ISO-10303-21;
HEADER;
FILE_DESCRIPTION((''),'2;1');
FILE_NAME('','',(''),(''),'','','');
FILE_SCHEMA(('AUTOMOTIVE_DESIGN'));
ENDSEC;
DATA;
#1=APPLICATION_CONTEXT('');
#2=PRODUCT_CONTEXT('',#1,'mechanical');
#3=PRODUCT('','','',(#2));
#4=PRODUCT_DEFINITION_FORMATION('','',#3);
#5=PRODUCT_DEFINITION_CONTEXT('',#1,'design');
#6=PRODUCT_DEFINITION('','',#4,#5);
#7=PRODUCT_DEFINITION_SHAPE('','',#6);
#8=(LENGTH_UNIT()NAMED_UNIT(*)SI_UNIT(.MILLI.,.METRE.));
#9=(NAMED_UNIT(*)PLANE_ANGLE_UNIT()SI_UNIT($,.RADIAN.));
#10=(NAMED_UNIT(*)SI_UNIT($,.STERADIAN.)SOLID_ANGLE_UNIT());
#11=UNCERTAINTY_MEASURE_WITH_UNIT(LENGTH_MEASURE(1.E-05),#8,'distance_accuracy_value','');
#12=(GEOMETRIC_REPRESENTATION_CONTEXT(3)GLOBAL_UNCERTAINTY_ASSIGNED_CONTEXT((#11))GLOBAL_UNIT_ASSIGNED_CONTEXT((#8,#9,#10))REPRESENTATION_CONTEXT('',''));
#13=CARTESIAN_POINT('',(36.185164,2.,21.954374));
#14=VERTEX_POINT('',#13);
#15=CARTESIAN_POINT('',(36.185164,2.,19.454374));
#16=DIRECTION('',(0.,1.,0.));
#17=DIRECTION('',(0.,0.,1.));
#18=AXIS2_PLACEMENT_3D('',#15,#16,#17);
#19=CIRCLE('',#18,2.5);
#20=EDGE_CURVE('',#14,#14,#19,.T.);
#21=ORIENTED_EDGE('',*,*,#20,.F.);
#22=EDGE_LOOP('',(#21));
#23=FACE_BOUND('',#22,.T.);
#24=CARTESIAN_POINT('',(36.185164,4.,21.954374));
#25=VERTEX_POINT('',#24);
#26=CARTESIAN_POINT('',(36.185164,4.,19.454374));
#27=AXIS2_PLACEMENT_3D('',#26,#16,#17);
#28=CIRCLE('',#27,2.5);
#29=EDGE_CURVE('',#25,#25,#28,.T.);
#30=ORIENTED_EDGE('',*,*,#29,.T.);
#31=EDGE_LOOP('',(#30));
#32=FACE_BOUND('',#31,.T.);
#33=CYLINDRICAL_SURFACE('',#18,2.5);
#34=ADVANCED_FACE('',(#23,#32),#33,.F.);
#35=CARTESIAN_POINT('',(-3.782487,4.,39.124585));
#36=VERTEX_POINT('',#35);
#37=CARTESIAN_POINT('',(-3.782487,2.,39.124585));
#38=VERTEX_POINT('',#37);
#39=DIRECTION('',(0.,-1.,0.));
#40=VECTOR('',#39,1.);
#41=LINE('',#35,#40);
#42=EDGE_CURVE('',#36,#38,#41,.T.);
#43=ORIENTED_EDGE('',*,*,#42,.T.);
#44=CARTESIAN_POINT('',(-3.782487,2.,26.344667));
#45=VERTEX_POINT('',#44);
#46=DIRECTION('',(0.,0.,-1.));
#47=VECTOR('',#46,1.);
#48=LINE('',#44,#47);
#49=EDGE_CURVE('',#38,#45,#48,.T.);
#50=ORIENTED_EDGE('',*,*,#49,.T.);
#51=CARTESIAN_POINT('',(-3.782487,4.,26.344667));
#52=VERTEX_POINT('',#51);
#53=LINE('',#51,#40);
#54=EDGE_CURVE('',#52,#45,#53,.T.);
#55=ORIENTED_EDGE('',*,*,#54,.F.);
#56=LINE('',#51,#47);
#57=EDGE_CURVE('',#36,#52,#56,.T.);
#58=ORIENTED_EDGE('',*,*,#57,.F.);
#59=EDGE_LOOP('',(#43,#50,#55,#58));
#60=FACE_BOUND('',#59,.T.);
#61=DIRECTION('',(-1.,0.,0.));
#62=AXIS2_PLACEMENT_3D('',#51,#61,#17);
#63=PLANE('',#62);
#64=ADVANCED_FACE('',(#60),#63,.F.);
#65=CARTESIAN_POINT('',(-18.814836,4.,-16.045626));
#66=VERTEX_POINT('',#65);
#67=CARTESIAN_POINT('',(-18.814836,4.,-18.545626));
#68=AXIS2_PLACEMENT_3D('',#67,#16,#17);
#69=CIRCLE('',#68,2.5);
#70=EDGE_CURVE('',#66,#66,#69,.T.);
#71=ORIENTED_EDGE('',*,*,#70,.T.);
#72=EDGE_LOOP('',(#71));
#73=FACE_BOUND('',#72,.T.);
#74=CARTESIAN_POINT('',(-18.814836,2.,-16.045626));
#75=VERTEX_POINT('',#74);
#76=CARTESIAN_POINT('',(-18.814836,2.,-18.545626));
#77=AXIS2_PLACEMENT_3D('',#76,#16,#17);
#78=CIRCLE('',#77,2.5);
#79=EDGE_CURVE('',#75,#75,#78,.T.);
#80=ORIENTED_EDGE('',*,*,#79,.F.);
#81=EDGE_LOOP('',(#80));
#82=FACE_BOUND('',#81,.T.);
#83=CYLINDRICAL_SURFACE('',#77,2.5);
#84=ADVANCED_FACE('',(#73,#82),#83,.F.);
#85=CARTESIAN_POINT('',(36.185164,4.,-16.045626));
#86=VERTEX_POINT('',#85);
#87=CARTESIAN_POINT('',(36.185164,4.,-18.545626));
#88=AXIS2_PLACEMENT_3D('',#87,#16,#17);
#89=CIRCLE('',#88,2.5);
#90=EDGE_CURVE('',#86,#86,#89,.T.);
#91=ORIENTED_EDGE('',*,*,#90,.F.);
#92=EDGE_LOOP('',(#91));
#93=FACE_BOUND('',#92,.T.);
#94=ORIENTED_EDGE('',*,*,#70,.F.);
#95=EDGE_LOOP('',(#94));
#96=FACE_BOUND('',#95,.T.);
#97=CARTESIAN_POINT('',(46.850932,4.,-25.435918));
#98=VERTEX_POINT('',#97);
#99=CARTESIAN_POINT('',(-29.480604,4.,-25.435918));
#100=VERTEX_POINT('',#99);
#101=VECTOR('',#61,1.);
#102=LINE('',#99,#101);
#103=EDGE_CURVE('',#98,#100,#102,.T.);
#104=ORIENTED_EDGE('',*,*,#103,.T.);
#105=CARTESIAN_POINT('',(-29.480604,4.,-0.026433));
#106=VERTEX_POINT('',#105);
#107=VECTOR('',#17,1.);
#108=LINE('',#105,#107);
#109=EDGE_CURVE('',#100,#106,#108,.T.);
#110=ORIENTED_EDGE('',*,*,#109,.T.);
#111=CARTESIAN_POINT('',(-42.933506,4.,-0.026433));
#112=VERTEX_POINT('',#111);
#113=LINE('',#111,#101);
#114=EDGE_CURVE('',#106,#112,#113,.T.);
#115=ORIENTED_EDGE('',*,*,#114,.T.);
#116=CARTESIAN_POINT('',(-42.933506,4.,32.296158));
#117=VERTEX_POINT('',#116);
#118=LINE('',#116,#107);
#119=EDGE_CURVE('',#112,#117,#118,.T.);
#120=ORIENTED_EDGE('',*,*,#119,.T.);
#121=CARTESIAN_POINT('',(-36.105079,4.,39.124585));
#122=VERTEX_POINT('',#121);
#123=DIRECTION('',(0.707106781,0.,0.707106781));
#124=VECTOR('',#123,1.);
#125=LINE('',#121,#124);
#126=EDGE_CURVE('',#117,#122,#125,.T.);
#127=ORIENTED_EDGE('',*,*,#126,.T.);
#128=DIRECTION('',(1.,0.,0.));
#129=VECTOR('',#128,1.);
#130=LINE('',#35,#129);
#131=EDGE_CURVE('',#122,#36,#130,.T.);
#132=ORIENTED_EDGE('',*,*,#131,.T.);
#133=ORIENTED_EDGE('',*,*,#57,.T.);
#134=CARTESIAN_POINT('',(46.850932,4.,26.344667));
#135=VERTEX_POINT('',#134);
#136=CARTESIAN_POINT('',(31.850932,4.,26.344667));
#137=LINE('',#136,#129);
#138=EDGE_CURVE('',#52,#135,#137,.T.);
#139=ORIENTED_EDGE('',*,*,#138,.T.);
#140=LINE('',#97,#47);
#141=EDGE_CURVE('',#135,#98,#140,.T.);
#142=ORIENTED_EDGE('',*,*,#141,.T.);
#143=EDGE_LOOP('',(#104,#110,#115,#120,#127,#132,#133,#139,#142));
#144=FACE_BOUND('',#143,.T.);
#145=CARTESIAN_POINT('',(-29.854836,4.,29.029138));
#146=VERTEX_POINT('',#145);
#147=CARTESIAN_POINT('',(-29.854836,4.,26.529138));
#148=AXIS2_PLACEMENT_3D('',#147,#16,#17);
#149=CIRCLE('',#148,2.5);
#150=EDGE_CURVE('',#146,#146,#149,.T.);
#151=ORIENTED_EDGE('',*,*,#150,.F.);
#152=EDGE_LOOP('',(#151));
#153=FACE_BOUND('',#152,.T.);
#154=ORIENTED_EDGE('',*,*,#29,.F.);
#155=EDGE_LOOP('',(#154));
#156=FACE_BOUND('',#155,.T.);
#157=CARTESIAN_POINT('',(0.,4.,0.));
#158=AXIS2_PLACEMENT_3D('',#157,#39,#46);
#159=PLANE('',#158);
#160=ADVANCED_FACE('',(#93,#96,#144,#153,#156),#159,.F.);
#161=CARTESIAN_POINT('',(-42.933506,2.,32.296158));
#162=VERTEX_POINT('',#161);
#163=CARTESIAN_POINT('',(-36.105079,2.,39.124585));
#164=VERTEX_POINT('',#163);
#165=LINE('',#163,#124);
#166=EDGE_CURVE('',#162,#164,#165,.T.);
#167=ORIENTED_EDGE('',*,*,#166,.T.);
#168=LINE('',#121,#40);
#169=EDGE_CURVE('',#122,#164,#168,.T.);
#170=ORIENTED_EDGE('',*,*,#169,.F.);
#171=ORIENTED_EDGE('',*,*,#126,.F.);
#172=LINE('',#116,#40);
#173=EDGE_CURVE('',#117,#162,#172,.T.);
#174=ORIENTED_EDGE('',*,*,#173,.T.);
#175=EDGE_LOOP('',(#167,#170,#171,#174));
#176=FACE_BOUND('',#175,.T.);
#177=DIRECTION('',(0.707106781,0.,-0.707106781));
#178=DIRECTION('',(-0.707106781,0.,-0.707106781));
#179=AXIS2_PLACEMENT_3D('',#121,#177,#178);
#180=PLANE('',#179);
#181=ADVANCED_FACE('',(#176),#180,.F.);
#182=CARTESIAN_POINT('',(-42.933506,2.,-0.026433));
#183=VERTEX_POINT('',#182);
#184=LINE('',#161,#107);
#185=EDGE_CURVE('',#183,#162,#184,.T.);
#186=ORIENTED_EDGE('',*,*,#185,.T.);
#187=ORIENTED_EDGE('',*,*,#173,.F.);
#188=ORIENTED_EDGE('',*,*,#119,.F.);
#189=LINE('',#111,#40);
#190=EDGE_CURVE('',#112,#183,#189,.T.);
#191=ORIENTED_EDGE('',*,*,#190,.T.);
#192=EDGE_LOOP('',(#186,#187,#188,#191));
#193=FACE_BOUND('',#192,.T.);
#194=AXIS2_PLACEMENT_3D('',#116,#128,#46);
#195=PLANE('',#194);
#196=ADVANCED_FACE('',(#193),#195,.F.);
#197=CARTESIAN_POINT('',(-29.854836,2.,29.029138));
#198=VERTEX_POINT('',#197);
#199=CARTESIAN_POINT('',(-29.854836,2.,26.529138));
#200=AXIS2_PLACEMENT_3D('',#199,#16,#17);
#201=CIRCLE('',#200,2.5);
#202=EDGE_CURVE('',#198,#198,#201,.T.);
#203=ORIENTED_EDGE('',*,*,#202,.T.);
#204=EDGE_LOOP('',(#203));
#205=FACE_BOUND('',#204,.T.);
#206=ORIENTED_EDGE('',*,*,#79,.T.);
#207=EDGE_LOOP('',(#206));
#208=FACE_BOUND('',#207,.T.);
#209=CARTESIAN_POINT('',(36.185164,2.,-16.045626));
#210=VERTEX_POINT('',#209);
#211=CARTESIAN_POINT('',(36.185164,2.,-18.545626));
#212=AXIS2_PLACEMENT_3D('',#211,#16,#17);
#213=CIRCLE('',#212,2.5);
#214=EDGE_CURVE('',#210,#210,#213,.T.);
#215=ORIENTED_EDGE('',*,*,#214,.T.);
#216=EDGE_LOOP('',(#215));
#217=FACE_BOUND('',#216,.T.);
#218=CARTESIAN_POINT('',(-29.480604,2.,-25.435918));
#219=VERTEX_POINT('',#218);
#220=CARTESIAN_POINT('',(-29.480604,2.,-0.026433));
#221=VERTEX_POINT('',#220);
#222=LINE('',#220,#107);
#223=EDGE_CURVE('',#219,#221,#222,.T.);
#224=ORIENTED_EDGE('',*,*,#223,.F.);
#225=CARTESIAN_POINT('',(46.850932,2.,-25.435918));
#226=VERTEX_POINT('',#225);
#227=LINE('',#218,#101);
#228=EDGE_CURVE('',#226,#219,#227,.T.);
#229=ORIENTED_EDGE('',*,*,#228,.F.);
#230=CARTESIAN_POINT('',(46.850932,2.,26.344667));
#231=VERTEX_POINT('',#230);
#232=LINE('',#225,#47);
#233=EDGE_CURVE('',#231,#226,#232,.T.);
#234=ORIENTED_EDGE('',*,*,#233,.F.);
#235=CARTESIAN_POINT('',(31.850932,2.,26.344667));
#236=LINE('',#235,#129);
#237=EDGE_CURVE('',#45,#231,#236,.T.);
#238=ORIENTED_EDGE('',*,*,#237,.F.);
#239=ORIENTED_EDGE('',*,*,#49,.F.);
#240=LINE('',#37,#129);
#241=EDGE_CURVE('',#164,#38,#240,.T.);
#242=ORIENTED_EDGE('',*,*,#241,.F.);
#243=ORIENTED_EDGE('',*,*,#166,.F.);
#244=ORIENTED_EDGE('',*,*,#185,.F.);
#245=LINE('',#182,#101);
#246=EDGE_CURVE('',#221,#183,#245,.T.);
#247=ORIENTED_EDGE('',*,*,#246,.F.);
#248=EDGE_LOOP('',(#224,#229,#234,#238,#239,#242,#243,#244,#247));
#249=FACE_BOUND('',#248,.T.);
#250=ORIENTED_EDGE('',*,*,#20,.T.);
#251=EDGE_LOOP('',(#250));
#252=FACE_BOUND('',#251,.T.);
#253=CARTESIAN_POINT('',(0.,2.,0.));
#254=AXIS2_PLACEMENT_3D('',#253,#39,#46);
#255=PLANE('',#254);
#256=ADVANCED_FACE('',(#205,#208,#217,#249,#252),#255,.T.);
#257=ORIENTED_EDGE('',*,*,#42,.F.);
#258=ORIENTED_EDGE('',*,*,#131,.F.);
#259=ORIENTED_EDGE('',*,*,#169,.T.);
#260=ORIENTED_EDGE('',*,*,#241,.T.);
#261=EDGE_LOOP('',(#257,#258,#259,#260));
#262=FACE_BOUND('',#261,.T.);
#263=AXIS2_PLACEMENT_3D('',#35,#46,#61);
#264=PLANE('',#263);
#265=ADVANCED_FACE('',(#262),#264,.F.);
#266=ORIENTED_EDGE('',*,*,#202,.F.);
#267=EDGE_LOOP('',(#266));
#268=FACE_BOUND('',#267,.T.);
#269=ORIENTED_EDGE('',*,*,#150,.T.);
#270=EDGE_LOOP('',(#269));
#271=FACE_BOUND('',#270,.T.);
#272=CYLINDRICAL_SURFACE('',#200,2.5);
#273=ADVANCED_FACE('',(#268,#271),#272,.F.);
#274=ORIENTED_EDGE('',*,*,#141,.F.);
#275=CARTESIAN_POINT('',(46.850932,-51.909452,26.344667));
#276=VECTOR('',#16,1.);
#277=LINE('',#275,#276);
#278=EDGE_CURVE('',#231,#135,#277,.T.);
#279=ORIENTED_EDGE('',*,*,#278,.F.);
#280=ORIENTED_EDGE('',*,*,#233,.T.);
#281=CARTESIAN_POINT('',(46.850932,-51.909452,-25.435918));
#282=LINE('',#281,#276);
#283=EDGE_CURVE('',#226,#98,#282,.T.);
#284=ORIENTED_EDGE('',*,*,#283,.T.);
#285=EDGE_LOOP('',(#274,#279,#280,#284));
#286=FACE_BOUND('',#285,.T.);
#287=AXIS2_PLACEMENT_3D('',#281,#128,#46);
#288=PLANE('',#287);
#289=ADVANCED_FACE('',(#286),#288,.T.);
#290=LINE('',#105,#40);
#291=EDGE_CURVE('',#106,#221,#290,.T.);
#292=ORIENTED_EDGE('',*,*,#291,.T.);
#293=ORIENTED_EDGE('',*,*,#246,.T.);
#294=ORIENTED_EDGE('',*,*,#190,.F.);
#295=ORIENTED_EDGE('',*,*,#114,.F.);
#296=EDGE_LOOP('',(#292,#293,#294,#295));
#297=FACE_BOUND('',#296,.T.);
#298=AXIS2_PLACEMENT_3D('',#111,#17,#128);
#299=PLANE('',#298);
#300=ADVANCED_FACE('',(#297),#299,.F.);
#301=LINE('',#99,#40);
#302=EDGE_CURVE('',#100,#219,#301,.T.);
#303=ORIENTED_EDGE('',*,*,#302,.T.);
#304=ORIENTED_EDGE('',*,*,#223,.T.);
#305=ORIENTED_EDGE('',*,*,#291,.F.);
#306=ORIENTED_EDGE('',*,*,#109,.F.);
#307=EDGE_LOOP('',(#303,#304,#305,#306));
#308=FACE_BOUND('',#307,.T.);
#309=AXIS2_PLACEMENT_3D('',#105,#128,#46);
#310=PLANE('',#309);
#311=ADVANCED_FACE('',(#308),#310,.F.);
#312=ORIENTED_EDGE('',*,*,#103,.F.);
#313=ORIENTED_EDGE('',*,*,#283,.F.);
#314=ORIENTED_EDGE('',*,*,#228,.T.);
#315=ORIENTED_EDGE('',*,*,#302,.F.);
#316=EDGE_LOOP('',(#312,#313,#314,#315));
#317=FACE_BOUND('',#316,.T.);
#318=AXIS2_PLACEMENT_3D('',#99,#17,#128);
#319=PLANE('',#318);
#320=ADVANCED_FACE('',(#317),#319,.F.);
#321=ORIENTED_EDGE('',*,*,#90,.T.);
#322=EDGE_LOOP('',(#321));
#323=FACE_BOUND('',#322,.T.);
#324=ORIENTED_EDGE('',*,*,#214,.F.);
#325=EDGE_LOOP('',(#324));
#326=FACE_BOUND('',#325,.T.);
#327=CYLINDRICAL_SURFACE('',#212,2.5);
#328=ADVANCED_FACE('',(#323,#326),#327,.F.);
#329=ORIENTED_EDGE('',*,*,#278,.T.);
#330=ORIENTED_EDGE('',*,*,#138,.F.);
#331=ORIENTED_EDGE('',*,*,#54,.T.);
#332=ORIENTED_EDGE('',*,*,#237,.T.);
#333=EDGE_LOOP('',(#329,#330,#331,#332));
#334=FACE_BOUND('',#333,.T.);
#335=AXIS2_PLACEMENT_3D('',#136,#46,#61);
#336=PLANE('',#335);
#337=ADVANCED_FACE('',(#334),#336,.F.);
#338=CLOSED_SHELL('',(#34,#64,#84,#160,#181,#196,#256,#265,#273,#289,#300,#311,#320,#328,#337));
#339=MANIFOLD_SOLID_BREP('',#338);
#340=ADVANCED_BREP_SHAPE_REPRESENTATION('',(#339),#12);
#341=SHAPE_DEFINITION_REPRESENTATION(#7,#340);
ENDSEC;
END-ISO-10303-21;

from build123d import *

# Parameters (mm, degrees)
BOSS_EXTRUDE1_DEPTH = 2
CHAMFER1_SIZE       = 8
BOSS_EXTRUDE2_DEPTH = 2
SKETCH4_W           = 99.768826376
SKETCH4_H           = 91.588754032
CUT_EXTRUDE1_DEPTH  = 2
SKETCH5_R           = 2.5
CUT_EXTRUDE2_DEPTH  = 2
SKETCH6_W           = 15
SKETCH6_H           = 51.780584955
BOSS_EXTRUDE3_DEPTH = 2
SKETCH7_R           = 2.5
CUT_EXTRUDE3_DEPTH  = 62.071622078
SKETCH8_R           = 3.630325665
SKETCH8_R_2         = 3.812865601
BOSS_EXTRUDE4_DEPTH = 2


with BuildPart() as part:
    # Sketch1 → Boss-Extrude1 (new body)
    with BuildSketch(Plane(origin=(0, 0, 0), x_dir=(1, 0, 0), z_dir=(0, 1, 0))):
        Polygon((-1.782487159, -28.34466675), (33.85093234, -28.34466675), (33.85093234, 27.435918205), (-31.480603593, 27.435918205), (-31.480603593, 2.026433414), (-44.933505709, 2.026433414), (-44.933505709, -41.124585136), (-1.782487159, -41.124585136), align=None)
    extrude(amount=BOSS_EXTRUDE1_DEPTH)

    # Chamfer1
    chamfer1_edges = [part.edges().sort_by_distance(p)[0] for p in [
        (-44.933505709, 1, 41.124585136),
    ]]
    chamfer(chamfer1_edges, length=CHAMFER1_SIZE)

    # Sketch3 → Boss-Extrude2 (add)
    with BuildSketch(Plane(origin=(0, 2, 0), x_dir=(1, 0, 0), z_dir=(0, 1, 0))):
        Polygon((-29.480603593, 25.435918205), (31.85093234, 25.435918205), (31.85093234, -26.34466675), (-3.782487159, -26.34466675), (-3.782487159, -39.124585136), (-36.105078585, -39.124585136), (-42.933505709, -32.296158012), (-42.933505709, 0.026433414), (-29.480603593, 0.026433414), align=None)
    extrude(amount=BOSS_EXTRUDE2_DEPTH)

    # Sketch4 → Cut-Extrude1 (cut)
    with BuildSketch(Plane.XZ):
        Rectangle(SKETCH4_W, SKETCH4_H)
    extrude(amount=-CUT_EXTRUDE1_DEPTH, mode=Mode.SUBTRACT)

    # Sketch5 → Cut-Extrude2 (cut)
    with BuildSketch(Plane(origin=(0, 4, 0), x_dir=(1, 0, 0), z_dir=(0, 1, 0))):
        with Locations(Location((-18.814835626, 18.545625727, 0), (0, 0, 270))):
            Circle(SKETCH5_R)
        with Locations(Location((21.185164374, 18.545625727, 0), (0, 0, 270))):
            Circle(SKETCH5_R)
        with Locations(Location((21.185164374, -19.454374273, 0), (0, 0, 270))):
            Circle(SKETCH5_R)
        with Locations(Location((-29.854835626, -26.529137879, 0), (0, 0, 270))):
            Circle(SKETCH5_R)
    extrude(amount=-CUT_EXTRUDE2_DEPTH, mode=Mode.SUBTRACT)

    # Sketch6 → Boss-Extrude3 (add)
    with BuildSketch(Plane(origin=(0, 4, 0), x_dir=(1, 0, 0), z_dir=(0, 1, 0))):
        with Locations((39.35093234, -0.454374273)):
            Rectangle(SKETCH6_W, SKETCH6_H)
    extrude(amount=-BOSS_EXTRUDE3_DEPTH)

    # Sketch7 → Cut-Extrude3 (cut, through all)
    with BuildSketch(Plane(origin=(0, 4, 0), x_dir=(1, 0, 0), z_dir=(0, 1, 0))):
        with Locations(Location((36.185164374, 18.545625727, 0), (0, 0, 270))):
            Circle(SKETCH7_R)
        with Locations(Location((36.185164374, -19.454374273, 0), (0, 0, 270))):
            Circle(SKETCH7_R)
    extrude(amount=-CUT_EXTRUDE3_DEPTH, mode=Mode.SUBTRACT)

    # Sketch8 → Boss-Extrude4 (add)
    with BuildSketch(Plane(origin=(0, 4, 0), x_dir=(1, 0, 0), z_dir=(0, 1, 0))):
        with Locations((21.185164374, 18.545625727)):
            Circle(SKETCH8_R)
        with Locations((21.185164374, -19.454374273)):
            Circle(SKETCH8_R_2)
    extrude(amount=-BOSS_EXTRUDE4_DEPTH)


solid = part.part
